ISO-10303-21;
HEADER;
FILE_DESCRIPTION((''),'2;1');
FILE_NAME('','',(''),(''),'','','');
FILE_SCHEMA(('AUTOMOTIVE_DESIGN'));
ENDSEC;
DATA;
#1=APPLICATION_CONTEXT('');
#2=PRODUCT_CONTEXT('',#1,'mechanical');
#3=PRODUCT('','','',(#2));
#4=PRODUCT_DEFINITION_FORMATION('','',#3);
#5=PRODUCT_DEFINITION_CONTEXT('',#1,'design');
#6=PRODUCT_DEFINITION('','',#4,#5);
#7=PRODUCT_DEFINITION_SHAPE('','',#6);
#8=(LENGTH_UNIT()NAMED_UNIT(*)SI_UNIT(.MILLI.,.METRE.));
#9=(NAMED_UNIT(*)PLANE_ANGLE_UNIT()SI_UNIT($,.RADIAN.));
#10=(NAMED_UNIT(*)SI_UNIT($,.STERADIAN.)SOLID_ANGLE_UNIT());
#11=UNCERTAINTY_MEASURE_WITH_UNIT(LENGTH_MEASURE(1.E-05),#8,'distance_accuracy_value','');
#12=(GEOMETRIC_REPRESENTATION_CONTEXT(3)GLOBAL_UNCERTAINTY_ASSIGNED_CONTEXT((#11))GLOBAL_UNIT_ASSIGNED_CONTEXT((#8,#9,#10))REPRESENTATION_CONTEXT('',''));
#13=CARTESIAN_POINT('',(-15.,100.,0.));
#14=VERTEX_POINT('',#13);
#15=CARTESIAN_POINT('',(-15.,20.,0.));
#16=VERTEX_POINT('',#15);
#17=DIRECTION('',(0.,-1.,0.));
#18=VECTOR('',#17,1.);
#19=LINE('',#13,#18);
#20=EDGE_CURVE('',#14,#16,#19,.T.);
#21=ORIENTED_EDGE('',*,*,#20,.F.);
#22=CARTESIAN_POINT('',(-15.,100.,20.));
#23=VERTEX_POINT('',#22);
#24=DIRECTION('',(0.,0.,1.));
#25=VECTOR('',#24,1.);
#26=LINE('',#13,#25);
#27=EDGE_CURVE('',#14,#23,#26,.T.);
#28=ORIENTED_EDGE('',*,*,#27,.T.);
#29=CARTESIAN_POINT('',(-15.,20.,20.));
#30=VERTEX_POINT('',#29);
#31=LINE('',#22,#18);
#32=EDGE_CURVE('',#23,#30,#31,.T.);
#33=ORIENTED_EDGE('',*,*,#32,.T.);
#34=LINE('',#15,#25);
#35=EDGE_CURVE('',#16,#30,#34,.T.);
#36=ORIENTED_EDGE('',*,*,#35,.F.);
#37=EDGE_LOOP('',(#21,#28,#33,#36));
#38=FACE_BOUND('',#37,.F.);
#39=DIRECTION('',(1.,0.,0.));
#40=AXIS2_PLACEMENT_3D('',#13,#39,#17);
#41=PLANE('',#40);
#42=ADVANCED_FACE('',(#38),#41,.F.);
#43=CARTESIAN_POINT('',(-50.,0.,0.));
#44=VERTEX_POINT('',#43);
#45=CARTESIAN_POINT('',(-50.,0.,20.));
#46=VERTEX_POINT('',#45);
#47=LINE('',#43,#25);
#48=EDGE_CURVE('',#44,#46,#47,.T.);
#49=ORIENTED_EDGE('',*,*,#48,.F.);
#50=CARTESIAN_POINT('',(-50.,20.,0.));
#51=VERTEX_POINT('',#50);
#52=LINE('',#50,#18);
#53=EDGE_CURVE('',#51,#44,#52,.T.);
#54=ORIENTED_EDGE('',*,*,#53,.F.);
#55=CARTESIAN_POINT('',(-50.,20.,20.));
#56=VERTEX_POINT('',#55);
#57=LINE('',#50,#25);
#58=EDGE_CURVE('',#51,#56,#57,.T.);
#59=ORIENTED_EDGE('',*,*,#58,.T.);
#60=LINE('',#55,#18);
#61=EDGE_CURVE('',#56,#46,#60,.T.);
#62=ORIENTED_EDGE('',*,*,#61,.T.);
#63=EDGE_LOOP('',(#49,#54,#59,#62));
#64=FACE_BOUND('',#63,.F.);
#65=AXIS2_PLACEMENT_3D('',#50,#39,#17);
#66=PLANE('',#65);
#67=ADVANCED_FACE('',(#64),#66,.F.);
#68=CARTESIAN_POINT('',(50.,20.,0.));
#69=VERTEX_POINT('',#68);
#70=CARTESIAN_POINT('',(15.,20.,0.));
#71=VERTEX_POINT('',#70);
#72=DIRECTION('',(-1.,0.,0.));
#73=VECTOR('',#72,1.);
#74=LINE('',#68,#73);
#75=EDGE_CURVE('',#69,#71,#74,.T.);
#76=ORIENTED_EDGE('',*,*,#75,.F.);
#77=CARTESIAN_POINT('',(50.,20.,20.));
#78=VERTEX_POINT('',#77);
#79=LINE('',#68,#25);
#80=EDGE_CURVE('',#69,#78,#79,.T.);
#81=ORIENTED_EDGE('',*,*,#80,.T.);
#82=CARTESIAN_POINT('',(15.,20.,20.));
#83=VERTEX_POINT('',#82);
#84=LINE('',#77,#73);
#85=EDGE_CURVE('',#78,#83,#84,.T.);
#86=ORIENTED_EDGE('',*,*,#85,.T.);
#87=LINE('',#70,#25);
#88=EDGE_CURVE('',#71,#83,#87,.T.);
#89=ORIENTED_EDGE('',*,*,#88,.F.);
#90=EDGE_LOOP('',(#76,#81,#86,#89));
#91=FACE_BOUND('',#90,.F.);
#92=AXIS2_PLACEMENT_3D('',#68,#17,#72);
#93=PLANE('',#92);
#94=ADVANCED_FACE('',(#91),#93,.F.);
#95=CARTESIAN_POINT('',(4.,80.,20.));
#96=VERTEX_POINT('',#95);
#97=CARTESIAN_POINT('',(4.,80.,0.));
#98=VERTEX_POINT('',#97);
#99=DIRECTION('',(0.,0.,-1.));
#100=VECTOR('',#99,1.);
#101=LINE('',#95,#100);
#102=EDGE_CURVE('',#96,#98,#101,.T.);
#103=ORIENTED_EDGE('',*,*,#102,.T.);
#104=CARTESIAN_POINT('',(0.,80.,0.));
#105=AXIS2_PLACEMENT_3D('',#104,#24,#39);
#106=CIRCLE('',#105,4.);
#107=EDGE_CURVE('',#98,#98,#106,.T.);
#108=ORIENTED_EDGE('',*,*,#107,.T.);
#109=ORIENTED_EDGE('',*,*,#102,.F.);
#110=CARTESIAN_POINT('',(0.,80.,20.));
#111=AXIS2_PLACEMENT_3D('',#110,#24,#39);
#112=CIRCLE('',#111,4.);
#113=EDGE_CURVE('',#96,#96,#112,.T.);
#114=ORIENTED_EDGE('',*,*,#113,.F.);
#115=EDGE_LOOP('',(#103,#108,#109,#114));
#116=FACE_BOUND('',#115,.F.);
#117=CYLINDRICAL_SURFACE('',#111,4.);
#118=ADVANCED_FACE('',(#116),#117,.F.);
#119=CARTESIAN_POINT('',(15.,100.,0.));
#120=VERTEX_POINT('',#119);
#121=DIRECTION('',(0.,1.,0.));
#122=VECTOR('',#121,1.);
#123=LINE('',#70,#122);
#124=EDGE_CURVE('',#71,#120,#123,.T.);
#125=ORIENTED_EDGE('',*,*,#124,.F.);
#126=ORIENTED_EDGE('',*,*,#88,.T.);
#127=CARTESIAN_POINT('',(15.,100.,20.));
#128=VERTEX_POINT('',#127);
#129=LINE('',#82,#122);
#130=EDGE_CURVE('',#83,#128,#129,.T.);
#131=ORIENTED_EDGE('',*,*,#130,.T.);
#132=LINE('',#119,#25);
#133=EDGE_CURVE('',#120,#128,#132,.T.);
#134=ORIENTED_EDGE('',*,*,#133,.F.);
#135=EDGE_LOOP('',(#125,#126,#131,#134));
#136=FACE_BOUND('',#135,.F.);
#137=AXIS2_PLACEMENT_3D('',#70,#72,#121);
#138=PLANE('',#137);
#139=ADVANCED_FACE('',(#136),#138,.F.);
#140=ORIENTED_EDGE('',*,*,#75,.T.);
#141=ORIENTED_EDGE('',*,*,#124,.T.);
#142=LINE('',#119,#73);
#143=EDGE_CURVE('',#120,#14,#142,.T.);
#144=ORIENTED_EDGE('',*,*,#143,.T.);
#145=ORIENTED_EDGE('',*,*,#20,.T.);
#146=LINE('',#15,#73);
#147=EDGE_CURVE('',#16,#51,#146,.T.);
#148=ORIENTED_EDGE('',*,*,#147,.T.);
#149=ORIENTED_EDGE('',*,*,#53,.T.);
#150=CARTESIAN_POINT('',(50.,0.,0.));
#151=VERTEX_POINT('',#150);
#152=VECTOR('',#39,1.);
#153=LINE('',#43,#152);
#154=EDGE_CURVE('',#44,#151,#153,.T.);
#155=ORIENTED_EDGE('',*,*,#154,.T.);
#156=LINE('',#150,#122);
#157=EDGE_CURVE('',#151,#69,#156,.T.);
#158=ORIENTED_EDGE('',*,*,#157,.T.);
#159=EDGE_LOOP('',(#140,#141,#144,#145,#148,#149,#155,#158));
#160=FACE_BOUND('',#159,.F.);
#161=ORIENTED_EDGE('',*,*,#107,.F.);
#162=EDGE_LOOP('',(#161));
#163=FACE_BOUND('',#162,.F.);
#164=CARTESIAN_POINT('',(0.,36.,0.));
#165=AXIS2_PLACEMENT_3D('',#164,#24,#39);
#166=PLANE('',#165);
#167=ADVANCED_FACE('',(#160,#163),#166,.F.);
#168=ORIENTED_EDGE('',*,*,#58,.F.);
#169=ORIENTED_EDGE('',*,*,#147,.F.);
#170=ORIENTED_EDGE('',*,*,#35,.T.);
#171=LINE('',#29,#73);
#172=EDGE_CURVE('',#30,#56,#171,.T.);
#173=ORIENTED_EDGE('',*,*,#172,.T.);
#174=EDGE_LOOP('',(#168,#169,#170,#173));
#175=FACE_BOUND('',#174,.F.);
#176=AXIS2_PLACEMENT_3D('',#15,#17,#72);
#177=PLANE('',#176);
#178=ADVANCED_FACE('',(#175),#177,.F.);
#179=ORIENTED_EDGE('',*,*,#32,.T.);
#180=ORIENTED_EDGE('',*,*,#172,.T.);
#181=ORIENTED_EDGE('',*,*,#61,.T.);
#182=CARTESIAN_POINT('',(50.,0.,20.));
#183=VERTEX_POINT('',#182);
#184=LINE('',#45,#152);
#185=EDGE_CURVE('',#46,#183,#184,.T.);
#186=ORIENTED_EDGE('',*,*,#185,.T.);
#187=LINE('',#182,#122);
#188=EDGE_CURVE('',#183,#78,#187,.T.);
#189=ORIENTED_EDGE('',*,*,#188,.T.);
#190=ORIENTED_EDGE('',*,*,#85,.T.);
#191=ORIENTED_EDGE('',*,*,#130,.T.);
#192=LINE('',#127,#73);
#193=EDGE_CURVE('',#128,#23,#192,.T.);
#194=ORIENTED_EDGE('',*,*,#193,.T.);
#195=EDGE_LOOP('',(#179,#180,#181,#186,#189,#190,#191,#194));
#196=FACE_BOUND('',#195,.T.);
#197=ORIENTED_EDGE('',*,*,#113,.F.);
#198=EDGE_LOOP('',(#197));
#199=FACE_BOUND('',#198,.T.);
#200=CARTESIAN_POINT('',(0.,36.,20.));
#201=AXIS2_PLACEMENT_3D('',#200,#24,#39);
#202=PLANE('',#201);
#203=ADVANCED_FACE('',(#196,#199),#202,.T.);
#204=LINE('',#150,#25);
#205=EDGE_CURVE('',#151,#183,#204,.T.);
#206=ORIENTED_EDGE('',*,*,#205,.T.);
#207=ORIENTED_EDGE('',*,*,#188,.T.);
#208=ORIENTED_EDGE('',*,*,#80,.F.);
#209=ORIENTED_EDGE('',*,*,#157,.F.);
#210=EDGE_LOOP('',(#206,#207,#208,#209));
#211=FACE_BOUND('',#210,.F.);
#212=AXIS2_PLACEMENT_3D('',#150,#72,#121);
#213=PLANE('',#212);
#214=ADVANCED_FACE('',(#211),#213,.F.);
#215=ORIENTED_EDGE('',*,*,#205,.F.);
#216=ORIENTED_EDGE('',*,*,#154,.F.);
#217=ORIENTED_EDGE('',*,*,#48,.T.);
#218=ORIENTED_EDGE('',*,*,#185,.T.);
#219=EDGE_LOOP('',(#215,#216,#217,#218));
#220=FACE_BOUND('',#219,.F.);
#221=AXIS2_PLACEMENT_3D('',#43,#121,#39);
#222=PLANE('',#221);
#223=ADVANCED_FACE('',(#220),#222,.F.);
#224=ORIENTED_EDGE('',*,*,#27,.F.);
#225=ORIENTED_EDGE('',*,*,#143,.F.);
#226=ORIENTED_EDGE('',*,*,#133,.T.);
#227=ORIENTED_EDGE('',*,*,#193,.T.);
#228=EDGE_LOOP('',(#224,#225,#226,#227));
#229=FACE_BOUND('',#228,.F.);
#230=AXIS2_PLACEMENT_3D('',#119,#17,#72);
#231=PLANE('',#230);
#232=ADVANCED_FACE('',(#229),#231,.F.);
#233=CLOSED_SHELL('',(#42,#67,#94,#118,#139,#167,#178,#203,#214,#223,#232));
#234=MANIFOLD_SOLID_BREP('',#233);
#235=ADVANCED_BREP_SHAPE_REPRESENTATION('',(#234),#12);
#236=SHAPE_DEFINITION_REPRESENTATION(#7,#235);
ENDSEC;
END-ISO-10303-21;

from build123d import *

# Parameters (mm, degrees)
F1_DEPTH = 20
F2_R     = 4
F3_DEPTH = 20.001


with BuildPart() as f1:
    # F0 (on Top) → F1 (new body)
    with BuildSketch(Plane.XY):
        Polygon((-50, 0), (0, 0), (50, 0), (50, 20), (15, 20), (15, 100), (0, 100), (-15, 100), (-15, 20), (-50, 20), align=None)
    extrude(amount=F1_DEPTH)

    # F2 (on face) → F3 (cut, through all)
    with BuildSketch(Plane.XY.offset(20)):
        with Locations((0, 80)):
            Circle(F2_R)
    extrude(amount=-F3_DEPTH, mode=Mode.SUBTRACT)


solid = f1.part
